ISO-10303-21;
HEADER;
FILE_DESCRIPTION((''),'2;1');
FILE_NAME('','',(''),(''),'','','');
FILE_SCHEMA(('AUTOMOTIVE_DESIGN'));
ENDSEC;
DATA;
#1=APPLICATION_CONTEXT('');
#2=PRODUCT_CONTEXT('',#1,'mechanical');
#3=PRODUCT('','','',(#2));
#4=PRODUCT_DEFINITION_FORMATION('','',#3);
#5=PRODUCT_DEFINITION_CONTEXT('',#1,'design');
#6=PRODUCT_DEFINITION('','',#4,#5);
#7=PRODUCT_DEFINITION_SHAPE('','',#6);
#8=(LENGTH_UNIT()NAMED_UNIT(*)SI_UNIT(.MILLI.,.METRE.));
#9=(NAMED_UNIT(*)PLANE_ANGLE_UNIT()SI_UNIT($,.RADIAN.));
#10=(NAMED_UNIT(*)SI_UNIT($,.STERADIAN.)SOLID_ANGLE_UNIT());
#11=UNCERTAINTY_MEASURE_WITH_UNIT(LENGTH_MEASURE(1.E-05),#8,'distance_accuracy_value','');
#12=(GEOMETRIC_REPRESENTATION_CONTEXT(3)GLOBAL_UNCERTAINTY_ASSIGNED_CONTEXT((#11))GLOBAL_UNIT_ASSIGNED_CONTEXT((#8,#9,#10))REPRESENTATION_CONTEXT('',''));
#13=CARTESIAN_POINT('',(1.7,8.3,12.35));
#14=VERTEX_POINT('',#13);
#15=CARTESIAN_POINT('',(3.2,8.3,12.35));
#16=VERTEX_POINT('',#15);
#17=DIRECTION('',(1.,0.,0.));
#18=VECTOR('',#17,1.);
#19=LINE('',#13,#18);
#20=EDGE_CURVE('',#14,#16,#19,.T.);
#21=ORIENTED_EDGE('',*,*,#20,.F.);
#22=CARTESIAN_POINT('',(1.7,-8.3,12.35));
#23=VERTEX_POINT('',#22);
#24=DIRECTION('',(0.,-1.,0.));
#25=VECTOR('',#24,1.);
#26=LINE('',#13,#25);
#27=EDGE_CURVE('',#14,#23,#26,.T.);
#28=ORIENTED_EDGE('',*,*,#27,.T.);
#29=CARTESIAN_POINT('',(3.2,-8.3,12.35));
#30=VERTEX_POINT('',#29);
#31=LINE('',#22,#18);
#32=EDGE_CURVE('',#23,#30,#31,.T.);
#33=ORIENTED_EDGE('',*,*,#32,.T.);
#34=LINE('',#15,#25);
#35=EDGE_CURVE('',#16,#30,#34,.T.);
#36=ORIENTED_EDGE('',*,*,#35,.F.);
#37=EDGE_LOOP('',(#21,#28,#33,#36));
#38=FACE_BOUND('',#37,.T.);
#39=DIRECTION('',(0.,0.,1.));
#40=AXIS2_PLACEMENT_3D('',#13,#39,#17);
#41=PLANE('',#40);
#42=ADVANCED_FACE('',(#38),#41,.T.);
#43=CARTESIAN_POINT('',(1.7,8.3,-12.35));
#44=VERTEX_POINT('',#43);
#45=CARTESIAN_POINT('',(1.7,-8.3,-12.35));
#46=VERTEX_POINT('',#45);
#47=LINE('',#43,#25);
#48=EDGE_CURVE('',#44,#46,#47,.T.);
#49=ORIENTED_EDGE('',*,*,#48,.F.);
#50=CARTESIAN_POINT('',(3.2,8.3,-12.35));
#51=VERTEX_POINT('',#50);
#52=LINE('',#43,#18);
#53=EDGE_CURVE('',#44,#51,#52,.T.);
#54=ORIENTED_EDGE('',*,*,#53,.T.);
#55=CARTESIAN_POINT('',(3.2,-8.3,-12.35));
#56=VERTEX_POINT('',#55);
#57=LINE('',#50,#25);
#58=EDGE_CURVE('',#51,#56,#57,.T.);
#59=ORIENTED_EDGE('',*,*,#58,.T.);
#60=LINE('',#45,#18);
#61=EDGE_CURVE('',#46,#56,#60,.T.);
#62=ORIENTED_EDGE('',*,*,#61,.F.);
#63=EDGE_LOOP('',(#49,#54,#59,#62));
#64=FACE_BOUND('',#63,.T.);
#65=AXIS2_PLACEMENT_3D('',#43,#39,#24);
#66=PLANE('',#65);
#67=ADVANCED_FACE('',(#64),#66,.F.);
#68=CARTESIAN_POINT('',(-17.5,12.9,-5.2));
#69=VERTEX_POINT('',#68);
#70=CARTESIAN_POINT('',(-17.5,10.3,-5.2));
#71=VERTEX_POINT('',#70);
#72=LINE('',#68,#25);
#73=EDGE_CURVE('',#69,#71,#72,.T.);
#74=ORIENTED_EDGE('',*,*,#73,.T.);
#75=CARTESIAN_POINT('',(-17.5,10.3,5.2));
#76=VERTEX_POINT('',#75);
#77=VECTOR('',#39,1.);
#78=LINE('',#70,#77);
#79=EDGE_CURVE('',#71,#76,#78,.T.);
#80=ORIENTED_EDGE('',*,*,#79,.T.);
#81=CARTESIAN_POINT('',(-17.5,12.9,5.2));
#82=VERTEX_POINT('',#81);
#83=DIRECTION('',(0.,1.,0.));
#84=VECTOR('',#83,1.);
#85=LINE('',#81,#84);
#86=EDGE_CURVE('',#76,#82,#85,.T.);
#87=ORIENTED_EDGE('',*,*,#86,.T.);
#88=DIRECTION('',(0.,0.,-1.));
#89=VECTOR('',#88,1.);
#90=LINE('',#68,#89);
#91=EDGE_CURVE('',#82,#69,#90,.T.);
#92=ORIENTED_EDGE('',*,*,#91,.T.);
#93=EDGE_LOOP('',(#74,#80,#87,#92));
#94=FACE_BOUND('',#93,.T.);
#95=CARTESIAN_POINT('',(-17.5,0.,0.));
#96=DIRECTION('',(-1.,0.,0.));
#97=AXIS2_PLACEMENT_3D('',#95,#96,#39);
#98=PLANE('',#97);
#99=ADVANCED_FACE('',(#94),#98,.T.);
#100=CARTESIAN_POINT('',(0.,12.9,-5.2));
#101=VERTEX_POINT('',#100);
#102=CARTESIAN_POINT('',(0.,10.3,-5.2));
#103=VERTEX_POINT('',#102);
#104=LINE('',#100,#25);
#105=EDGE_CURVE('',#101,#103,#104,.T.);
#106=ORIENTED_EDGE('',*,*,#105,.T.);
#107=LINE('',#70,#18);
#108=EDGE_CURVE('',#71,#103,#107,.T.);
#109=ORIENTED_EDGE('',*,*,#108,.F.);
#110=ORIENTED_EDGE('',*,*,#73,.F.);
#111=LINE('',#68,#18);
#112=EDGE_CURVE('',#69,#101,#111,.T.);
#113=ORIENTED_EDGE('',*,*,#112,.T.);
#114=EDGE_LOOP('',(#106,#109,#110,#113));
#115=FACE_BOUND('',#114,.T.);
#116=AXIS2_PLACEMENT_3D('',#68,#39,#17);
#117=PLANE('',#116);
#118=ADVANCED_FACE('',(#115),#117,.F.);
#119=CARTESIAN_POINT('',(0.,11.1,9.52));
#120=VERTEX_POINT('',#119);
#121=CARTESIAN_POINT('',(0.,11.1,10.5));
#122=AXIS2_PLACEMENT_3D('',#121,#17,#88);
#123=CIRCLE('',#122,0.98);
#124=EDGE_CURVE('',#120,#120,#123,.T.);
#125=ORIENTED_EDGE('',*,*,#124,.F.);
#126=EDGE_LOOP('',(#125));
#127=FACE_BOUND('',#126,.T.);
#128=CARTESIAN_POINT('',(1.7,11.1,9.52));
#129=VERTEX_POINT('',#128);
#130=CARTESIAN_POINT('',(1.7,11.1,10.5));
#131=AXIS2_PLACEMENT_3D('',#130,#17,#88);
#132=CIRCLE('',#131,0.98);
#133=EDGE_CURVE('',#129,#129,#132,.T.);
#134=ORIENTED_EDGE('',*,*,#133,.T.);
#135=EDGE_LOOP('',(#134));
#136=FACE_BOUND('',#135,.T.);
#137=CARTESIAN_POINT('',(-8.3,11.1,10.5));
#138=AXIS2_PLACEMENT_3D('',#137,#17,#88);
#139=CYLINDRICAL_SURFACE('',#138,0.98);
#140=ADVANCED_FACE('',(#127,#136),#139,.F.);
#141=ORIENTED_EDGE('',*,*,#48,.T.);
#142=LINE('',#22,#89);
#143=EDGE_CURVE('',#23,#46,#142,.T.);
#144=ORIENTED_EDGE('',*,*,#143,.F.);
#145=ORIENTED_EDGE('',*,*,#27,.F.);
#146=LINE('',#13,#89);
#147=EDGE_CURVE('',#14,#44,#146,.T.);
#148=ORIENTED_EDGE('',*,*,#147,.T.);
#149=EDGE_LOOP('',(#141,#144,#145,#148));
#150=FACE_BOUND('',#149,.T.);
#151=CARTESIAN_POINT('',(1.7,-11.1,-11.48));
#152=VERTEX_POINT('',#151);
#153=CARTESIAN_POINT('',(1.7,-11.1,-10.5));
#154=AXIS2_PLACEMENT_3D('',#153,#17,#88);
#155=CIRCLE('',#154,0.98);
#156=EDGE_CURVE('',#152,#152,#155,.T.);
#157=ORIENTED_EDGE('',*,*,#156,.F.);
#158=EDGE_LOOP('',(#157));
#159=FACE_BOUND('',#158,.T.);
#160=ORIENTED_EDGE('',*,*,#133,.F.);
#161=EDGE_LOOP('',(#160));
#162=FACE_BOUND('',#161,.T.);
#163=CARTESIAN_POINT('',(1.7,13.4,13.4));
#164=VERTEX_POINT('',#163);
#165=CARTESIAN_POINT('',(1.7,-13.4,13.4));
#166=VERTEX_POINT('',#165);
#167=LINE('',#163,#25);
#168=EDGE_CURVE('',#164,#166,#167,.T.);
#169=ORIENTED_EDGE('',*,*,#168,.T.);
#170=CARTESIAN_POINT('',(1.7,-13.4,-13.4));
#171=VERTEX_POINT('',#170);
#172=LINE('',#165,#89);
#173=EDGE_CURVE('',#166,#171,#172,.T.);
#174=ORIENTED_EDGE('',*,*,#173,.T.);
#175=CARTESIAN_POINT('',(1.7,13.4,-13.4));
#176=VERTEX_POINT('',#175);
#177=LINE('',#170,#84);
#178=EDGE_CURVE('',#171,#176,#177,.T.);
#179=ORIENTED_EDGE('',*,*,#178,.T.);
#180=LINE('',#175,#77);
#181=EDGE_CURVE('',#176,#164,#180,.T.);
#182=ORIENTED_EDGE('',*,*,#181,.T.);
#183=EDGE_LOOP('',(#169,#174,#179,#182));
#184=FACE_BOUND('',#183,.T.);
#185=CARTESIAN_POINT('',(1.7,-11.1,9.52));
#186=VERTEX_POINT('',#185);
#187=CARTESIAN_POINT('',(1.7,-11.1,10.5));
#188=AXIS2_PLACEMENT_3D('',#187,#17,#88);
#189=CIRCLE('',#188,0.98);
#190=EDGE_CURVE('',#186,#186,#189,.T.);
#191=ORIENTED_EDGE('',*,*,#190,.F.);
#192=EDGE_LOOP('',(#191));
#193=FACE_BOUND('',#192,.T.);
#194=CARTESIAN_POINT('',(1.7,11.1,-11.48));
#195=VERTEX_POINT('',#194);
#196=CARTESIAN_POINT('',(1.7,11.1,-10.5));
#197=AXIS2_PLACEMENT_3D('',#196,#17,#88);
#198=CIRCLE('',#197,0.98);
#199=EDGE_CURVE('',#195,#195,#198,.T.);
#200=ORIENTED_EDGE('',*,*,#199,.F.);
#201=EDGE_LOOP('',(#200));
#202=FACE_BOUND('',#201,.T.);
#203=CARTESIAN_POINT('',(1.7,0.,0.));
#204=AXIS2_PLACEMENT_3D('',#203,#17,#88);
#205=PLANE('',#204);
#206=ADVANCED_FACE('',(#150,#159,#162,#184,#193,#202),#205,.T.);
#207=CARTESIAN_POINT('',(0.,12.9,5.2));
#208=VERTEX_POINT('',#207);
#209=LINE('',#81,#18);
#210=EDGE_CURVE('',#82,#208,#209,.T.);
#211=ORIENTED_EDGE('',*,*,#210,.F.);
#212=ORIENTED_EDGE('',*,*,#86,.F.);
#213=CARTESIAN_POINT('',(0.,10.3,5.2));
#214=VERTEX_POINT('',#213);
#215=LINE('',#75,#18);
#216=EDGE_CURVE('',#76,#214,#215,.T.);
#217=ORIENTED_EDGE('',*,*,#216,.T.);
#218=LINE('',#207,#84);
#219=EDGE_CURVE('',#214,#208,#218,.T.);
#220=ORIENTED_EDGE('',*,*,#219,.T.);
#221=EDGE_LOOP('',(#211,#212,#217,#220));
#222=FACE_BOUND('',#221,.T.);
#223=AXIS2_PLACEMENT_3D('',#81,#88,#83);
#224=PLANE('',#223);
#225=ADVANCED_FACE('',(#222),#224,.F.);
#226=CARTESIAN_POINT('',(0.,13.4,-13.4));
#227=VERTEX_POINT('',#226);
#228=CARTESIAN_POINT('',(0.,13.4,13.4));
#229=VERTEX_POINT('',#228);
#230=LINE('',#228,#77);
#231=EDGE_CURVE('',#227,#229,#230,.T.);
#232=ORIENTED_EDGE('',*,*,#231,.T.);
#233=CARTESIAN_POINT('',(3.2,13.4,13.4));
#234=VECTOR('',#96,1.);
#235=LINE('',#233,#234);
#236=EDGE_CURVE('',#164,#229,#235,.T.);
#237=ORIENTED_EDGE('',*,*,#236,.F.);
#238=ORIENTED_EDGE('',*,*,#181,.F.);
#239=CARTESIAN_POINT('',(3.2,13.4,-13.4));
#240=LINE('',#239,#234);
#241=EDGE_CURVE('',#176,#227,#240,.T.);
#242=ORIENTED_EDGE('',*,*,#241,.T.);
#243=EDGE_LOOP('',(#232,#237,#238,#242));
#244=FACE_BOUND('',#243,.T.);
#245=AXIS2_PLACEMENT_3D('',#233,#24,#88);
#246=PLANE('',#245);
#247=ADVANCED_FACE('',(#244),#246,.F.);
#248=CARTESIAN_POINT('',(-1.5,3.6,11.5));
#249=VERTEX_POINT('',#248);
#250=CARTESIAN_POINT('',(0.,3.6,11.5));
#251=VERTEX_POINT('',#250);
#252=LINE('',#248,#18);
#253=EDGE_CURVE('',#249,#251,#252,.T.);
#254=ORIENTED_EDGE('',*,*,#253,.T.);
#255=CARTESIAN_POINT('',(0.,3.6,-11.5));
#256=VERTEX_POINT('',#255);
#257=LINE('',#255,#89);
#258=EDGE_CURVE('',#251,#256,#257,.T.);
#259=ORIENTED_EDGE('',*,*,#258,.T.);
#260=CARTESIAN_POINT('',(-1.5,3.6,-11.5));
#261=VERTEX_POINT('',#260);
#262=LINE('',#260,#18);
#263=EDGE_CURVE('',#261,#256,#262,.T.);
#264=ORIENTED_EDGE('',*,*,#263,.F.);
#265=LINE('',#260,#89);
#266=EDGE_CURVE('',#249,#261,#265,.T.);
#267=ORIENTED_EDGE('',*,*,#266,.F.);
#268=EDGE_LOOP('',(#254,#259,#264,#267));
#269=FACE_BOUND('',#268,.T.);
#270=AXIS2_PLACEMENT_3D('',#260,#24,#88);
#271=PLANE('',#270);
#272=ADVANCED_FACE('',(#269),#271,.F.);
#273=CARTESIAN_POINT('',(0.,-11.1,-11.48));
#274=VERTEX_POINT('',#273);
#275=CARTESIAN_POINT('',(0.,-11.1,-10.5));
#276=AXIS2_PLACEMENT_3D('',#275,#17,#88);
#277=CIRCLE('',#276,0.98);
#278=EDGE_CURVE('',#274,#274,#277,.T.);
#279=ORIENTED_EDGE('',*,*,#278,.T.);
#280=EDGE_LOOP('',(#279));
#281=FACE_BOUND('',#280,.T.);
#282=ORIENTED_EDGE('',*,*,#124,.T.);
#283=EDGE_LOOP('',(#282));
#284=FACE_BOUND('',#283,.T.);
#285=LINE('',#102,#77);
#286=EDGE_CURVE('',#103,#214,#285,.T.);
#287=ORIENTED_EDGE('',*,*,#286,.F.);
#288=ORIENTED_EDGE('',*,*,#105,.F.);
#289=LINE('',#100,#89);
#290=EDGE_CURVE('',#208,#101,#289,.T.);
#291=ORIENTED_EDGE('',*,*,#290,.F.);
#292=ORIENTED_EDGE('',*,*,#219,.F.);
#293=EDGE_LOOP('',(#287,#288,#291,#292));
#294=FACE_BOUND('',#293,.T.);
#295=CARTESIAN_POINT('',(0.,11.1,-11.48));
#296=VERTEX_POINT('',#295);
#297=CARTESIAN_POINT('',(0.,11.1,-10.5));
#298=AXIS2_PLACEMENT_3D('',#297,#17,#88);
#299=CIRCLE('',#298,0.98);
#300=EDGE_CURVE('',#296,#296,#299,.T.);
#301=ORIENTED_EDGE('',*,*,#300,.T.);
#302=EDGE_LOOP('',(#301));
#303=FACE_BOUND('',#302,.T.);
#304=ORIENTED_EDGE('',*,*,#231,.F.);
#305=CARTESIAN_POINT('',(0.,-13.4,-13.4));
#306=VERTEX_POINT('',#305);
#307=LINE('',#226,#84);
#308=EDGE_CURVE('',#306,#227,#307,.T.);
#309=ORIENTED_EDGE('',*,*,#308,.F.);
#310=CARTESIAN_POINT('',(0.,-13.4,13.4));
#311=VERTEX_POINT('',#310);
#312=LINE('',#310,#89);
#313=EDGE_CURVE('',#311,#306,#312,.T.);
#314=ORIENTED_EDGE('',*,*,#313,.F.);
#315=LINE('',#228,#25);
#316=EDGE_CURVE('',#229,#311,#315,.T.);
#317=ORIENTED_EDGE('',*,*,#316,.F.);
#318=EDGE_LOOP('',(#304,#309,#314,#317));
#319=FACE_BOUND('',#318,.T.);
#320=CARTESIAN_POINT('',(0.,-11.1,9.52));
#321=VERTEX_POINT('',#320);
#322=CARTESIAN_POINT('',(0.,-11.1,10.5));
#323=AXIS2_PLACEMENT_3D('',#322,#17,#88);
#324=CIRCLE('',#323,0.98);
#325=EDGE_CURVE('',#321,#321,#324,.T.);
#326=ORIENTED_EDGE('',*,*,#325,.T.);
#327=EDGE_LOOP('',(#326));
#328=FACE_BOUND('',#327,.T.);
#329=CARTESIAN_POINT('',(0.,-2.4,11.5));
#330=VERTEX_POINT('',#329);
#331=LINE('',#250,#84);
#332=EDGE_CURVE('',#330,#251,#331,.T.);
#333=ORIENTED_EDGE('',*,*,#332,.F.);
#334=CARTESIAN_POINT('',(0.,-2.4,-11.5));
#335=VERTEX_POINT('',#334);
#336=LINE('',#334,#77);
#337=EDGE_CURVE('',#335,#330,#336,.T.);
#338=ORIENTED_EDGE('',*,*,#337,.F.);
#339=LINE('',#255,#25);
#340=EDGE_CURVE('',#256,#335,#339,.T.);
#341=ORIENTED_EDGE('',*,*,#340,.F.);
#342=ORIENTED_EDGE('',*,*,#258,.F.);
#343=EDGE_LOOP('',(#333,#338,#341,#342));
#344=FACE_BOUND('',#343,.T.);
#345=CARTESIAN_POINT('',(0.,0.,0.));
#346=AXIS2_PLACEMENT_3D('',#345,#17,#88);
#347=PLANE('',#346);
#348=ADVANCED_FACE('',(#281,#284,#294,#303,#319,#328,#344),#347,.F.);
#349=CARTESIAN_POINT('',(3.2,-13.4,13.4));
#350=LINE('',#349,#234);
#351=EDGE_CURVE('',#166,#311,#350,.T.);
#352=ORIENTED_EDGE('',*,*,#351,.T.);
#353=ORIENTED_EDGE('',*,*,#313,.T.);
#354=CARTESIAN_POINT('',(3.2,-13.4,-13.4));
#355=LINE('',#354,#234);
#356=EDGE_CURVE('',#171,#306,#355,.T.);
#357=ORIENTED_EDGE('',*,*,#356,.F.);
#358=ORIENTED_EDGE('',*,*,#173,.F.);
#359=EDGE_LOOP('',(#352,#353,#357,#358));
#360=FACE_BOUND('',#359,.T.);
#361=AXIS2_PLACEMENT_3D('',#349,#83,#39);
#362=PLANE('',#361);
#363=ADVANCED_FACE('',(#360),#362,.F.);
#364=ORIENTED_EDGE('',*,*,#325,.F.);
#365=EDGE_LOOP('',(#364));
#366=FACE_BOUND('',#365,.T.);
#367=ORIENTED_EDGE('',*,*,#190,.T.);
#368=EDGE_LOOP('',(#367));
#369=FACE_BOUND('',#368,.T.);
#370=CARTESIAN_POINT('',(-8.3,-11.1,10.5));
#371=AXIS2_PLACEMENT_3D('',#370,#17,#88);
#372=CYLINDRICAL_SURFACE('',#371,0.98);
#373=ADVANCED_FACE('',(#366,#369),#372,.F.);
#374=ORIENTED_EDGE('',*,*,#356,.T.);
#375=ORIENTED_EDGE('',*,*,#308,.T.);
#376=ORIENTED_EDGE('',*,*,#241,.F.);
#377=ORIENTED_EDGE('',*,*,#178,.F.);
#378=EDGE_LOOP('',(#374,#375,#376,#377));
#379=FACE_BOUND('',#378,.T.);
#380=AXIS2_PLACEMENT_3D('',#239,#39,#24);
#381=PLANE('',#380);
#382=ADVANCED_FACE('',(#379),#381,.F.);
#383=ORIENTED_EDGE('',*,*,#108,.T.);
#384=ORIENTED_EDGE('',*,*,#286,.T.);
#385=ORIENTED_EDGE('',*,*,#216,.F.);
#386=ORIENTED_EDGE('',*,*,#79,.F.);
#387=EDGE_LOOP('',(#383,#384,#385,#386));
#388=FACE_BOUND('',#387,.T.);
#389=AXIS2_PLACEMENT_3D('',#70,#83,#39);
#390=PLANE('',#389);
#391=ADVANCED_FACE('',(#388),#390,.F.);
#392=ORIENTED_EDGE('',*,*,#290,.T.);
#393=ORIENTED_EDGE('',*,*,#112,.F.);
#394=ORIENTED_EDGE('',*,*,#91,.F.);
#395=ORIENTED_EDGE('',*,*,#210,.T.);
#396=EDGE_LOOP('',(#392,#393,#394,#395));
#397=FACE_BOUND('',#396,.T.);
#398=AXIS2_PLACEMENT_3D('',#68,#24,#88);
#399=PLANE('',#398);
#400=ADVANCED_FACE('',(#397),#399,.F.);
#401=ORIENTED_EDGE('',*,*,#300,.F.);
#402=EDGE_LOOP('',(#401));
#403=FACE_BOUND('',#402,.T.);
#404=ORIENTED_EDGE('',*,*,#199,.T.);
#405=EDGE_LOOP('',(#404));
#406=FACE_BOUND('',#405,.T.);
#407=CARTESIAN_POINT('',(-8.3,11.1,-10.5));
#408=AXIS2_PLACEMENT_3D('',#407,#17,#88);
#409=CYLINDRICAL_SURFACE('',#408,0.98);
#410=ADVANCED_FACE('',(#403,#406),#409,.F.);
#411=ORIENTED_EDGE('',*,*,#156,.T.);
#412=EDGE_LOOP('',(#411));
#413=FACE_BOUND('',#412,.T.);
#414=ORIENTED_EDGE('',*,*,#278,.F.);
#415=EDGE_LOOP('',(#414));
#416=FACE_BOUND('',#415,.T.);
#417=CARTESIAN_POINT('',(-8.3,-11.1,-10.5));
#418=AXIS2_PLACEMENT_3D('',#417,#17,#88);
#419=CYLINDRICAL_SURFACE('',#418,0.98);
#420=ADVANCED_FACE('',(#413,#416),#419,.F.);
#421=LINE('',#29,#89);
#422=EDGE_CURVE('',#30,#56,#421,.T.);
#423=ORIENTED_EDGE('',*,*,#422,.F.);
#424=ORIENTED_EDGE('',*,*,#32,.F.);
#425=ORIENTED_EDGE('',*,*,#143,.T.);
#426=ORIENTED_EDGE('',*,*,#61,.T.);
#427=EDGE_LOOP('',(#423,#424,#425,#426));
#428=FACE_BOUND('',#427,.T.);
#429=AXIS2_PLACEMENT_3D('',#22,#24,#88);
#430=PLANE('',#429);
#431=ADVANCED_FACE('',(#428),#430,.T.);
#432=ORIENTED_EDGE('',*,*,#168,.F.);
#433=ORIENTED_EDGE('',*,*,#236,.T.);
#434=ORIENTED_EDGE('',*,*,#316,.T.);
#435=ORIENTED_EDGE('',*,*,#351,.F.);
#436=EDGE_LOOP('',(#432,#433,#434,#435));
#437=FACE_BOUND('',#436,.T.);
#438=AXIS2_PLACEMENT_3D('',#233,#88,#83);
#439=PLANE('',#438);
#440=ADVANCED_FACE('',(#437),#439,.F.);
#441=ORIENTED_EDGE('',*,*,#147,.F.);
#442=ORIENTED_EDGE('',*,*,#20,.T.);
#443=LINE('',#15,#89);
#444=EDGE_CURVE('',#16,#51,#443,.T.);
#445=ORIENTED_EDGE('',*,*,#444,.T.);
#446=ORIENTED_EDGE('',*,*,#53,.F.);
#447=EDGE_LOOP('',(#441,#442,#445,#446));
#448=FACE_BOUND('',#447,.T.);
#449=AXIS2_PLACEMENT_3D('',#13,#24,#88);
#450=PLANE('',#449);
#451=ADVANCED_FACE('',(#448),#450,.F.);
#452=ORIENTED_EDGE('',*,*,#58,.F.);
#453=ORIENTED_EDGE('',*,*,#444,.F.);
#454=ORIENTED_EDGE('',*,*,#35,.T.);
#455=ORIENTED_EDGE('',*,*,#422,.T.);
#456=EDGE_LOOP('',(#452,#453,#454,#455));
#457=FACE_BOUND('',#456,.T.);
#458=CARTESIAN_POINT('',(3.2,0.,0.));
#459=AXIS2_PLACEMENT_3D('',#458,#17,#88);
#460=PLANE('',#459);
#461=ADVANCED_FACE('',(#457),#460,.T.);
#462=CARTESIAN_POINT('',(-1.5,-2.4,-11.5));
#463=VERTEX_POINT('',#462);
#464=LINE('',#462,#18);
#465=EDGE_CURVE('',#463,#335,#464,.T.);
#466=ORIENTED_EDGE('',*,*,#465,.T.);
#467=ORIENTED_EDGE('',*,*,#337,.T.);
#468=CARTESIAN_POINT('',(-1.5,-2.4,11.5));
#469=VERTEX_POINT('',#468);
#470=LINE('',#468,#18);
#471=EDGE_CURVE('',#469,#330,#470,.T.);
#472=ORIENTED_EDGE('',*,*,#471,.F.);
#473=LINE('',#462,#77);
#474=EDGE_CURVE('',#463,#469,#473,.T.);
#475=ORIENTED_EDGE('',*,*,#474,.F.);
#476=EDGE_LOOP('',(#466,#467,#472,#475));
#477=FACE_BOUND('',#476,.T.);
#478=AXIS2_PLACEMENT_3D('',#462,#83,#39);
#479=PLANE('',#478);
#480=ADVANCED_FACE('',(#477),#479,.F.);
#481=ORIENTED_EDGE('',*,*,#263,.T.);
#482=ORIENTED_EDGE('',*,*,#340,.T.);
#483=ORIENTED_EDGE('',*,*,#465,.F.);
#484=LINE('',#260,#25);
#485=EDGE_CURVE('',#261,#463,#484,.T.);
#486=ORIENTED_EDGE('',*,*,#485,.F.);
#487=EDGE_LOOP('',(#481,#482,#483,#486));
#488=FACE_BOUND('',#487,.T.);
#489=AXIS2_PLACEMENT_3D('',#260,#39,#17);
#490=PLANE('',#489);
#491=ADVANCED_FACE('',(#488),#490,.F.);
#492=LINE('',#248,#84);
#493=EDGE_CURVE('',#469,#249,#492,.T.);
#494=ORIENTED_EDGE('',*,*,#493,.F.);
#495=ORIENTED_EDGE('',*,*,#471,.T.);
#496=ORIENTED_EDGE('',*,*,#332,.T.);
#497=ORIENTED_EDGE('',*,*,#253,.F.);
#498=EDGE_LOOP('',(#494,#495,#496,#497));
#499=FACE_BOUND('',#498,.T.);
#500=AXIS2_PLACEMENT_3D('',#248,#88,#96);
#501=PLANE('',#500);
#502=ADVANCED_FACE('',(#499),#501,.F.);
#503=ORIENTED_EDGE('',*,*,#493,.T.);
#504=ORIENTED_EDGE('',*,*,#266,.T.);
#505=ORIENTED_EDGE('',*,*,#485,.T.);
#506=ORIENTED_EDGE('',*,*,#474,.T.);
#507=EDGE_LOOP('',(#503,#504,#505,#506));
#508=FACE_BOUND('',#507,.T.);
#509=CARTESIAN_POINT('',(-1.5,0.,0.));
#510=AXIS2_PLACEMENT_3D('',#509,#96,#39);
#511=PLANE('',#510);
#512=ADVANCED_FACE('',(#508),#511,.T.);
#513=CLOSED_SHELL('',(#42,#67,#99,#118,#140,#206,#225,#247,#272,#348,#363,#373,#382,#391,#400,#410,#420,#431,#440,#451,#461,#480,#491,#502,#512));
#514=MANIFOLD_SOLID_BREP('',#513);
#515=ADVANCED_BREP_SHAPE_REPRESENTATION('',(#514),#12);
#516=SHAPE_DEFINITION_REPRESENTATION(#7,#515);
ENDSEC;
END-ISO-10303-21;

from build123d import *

# Parameters (mm, degrees)
SKETCH_1_W          = 26.8
SKETCH_1_H          = 26.8
EXTRUDE_1_DEPTH     = 3.2
SKETCH_2_W          = 26.8
SKETCH_2_H          = 26.8
SKETCH_2_W_2        = 24.7
SKETCH_2_H_2        = 16.6
CUT_EXTRUDE_1_DEPTH = 1.5
SKETCH_3_W          = 10.4
SKETCH_3_H          = 2.6
EXTRUDE_2_DEPTH     = 17.5
SKETCH_4_W          = 23
SKETCH_4_H          = 6
EXTRUDE_3_DEPTH     = 1.5
SKETCH_5_R          = 0.98
CUT_EXTRUDE_2_DEPTH = 10


with BuildPart() as part:
    # 草图1 → 凸台-拉伸1 (new body)
    with BuildSketch(Plane(origin=(0, 0, 0), x_dir=(0, 0, -1), z_dir=(1, 0, 0))):
        Rectangle(SKETCH_1_W, SKETCH_1_H)
    extrude(amount=EXTRUDE_1_DEPTH)

    # 草图2 → 切除-拉伸1 (cut)
    with BuildSketch(Plane(origin=(3.2, 0, 0), x_dir=(0, 0, -1), z_dir=(1, 0, 0))):
        Rectangle(SKETCH_2_W, SKETCH_2_H)
        Rectangle(SKETCH_2_W_2, SKETCH_2_H_2, mode=Mode.SUBTRACT)
    extrude(amount=-CUT_EXTRUDE_1_DEPTH, mode=Mode.SUBTRACT)

    # 草图3 → 凸台-拉伸2 (add)
    with BuildSketch(Plane.ZY):
        with Locations((0, 11.6)):
            Rectangle(SKETCH_3_W, SKETCH_3_H)
    extrude(amount=EXTRUDE_2_DEPTH)

    # 草图4 → 凸台-拉伸3 (add)
    with BuildSketch(Plane.ZY):
        with Locations((0, 0.6)):
            Rectangle(SKETCH_4_W, SKETCH_4_H)
    extrude(amount=EXTRUDE_3_DEPTH)

    # 草图5 → 切除-拉伸2 (cut)
    with BuildSketch(Plane(origin=(1.7, 0, 0), x_dir=(0, 0, -1), z_dir=(1, 0, 0))):
        with Locations((-10.5, 11.1)):
            Circle(SKETCH_5_R)
        with Locations((10.5, 11.1)):
            Circle(SKETCH_5_R)
        with Locations((10.5, -11.1)):
            Circle(SKETCH_5_R)
        with Locations((-10.5, -11.1)):
            Circle(SKETCH_5_R)
    extrude(amount=-CUT_EXTRUDE_2_DEPTH, mode=Mode.SUBTRACT)


solid = part.part
